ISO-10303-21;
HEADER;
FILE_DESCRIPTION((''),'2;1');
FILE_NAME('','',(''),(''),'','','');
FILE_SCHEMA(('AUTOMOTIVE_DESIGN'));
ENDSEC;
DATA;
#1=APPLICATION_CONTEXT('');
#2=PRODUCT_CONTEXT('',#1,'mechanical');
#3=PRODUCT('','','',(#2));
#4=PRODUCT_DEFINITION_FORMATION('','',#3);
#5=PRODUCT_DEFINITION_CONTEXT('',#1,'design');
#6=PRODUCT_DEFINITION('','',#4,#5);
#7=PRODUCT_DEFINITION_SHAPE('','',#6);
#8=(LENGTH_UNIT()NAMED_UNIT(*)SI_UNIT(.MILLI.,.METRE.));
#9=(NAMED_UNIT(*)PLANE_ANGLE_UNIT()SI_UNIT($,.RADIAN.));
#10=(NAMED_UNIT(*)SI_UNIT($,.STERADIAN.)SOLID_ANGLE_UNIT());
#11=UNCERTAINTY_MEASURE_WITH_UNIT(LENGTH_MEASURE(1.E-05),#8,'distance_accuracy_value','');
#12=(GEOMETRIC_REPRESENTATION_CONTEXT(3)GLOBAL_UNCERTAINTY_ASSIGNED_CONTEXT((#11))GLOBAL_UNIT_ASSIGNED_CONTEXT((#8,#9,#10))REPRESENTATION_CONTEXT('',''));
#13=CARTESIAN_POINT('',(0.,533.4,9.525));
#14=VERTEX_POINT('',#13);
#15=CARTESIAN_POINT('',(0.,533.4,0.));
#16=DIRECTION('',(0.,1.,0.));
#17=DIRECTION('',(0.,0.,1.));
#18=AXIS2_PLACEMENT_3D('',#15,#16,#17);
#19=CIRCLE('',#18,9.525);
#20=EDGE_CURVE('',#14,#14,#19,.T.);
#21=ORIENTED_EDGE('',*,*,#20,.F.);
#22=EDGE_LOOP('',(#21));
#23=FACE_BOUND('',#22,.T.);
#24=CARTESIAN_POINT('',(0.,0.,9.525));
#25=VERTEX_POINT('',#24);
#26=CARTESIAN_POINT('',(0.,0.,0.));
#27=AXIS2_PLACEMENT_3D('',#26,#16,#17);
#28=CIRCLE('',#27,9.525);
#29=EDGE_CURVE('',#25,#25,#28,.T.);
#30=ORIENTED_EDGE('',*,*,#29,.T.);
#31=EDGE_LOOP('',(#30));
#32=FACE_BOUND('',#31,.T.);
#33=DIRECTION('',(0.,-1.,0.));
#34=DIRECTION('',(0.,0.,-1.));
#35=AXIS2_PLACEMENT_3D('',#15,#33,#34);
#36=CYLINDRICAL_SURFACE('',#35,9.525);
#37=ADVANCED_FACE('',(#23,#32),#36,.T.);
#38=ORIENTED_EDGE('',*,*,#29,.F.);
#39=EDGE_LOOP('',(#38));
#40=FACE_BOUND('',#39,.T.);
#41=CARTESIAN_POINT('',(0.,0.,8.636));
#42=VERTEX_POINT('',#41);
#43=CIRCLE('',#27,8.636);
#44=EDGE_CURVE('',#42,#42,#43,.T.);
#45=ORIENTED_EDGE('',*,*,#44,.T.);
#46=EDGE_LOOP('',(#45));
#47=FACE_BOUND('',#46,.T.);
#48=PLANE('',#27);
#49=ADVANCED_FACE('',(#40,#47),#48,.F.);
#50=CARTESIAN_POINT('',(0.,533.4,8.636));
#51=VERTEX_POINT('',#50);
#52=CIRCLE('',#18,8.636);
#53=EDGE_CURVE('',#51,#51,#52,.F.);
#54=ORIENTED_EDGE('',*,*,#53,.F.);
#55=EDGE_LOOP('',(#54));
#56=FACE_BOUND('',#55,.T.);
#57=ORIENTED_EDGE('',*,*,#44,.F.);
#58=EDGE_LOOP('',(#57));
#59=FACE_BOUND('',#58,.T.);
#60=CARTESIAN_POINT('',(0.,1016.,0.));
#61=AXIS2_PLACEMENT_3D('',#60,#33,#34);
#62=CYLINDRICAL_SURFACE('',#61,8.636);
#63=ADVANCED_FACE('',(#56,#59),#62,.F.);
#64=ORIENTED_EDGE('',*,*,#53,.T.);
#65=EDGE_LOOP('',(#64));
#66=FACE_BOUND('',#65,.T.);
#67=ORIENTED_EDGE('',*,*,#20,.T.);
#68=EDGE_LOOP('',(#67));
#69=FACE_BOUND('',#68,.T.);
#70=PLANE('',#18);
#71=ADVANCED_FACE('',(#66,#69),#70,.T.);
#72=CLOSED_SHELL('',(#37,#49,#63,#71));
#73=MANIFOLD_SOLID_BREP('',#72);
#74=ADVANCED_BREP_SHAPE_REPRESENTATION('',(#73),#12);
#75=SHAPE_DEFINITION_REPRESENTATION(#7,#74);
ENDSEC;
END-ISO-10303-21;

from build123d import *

# Parameters (mm, degrees)
SKETCH1_R          = 9.525
EXTRUDE1_DEPTH     = 533.4
SKETCH2_R          = 8.636
CUT_EXTRUDE1_DEPTH = 1016


with BuildPart() as part:
    # Sketch1 → Extrude1 (new body)
    with BuildSketch(Plane(origin=(0, 0, 0), x_dir=(1, 0, 0), z_dir=(0, 1, 0))):
        with Locations(Location((0, 0, 0), (0, 0, 270))):
            Circle(SKETCH1_R)
    extrude(amount=EXTRUDE1_DEPTH)

    # Sketch2 → Cut-Extrude1 (cut)
    with BuildSketch(Plane(origin=(0, 0, 0), x_dir=(1, 0, 0), z_dir=(0, 1, 0))):
        with Locations(Location((0, 0, 0), (0, 0, 270))):
            Circle(SKETCH2_R)
    extrude(amount=CUT_EXTRUDE1_DEPTH, mode=Mode.SUBTRACT)


solid = part.part
